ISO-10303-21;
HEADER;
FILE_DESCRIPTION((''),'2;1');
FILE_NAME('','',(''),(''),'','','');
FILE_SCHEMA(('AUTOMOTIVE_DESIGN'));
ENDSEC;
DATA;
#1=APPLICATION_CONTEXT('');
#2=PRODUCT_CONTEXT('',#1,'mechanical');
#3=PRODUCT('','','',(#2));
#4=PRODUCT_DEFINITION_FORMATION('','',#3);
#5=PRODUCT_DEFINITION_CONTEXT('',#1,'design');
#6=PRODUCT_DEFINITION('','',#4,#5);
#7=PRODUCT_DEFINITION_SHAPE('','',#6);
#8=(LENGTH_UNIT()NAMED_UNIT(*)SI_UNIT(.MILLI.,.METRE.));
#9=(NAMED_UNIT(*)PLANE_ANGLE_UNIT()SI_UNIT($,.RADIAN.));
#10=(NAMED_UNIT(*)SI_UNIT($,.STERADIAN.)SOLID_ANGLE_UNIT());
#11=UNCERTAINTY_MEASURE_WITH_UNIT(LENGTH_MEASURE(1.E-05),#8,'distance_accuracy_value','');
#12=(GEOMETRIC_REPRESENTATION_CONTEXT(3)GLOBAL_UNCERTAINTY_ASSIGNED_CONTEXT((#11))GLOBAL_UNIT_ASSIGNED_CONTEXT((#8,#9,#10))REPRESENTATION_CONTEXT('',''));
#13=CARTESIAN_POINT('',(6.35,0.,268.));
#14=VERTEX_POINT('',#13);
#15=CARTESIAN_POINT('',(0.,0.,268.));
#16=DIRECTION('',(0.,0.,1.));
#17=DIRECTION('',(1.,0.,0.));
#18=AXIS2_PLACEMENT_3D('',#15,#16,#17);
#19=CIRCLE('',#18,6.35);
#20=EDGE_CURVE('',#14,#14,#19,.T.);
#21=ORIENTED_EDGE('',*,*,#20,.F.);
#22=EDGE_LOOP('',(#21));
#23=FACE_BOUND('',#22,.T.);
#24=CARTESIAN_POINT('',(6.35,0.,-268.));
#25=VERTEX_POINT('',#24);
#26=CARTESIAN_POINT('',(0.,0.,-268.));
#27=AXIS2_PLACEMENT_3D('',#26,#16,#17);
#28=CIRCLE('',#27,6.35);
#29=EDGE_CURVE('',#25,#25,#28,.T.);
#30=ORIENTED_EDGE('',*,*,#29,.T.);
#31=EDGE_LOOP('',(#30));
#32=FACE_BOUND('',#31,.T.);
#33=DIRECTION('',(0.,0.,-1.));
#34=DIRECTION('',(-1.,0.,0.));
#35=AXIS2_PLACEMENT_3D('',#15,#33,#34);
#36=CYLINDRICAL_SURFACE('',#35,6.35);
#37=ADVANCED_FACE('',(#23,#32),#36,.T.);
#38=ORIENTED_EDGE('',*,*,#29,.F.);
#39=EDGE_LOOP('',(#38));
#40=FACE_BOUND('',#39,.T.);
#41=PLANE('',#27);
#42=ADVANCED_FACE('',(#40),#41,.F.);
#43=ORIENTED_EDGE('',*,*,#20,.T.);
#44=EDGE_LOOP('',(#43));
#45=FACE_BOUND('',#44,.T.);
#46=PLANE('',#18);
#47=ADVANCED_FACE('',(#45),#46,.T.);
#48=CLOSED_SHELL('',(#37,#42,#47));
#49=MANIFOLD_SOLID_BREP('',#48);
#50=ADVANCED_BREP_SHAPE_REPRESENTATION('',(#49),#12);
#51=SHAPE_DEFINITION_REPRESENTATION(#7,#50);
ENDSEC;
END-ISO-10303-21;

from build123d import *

# Parameters (mm, degrees)
SKETCH1_R           = 6.35
BOSS_EXTRUDE2_DEPTH = 268


with BuildPart() as part:
    # Sketch1 → Boss-Extrude2 (new body, symmetric)
    with BuildSketch(Plane.XY):
        Circle(SKETCH1_R)
    extrude(amount=BOSS_EXTRUDE2_DEPTH, both=True)


solid = part.part
